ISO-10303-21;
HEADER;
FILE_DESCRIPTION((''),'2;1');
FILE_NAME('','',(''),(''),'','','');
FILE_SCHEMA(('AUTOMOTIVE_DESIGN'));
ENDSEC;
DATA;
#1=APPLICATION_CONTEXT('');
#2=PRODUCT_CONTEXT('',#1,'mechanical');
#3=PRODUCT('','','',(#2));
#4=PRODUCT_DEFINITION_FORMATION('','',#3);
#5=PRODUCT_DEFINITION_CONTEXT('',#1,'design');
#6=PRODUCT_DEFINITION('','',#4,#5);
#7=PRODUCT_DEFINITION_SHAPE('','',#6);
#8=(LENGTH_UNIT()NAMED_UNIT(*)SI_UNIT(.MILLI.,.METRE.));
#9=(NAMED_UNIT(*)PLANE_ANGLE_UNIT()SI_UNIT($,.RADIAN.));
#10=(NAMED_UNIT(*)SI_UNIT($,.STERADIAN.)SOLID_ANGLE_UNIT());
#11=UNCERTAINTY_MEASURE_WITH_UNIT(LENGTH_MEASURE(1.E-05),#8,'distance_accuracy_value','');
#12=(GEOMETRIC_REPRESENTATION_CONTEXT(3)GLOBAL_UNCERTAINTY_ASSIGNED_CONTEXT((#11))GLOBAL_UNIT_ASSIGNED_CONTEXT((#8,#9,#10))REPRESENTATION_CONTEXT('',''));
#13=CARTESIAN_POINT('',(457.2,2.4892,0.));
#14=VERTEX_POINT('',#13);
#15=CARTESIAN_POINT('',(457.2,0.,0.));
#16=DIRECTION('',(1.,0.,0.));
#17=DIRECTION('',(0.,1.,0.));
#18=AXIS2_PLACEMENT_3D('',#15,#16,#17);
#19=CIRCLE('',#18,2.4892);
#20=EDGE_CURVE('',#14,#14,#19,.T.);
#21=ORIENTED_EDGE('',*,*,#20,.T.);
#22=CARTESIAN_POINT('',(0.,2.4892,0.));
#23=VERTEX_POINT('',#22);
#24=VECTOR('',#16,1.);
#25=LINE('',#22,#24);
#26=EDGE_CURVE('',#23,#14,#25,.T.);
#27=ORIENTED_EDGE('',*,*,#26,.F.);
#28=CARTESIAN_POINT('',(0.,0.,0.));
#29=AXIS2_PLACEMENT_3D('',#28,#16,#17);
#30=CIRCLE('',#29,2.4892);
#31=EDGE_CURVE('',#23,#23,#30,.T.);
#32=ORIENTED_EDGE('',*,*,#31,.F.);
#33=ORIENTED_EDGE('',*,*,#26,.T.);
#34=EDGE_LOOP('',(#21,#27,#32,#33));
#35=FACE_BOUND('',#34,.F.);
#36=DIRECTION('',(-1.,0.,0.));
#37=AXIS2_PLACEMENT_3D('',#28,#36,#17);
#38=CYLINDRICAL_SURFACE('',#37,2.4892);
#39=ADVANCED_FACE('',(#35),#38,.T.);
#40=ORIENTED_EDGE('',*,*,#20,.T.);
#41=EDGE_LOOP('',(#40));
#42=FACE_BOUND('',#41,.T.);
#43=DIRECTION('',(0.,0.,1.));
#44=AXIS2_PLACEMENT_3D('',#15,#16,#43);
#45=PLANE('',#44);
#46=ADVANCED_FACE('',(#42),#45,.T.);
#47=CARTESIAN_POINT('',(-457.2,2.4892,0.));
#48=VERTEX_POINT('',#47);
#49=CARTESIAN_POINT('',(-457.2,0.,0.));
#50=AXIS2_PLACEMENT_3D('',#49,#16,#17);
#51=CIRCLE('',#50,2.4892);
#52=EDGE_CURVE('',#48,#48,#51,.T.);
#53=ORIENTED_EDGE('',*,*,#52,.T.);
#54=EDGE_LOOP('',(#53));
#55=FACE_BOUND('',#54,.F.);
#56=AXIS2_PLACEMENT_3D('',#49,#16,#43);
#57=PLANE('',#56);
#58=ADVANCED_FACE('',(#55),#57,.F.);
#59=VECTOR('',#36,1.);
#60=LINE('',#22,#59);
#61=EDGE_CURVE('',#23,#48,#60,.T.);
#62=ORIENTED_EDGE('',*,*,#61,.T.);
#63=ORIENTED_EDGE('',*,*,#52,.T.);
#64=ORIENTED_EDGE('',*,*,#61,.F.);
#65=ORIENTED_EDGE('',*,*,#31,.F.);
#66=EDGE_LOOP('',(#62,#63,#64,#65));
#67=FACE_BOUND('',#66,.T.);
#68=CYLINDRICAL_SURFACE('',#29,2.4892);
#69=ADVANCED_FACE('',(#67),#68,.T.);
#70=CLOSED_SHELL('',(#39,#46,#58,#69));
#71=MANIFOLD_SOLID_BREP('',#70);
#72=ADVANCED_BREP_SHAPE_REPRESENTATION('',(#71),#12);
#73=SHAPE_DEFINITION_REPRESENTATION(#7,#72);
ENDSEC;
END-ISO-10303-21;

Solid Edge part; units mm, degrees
sketch "Sketch1" plane through (0, 0, 0) normal (1, 0, 0) x (0, 1, 0)
  circle A0 centre (0, 0) radius 2.4892
extrude "Protrusion1" add sketch "Sketch1" along normal mid plane 914.4
properties material "Wood, Pine"
